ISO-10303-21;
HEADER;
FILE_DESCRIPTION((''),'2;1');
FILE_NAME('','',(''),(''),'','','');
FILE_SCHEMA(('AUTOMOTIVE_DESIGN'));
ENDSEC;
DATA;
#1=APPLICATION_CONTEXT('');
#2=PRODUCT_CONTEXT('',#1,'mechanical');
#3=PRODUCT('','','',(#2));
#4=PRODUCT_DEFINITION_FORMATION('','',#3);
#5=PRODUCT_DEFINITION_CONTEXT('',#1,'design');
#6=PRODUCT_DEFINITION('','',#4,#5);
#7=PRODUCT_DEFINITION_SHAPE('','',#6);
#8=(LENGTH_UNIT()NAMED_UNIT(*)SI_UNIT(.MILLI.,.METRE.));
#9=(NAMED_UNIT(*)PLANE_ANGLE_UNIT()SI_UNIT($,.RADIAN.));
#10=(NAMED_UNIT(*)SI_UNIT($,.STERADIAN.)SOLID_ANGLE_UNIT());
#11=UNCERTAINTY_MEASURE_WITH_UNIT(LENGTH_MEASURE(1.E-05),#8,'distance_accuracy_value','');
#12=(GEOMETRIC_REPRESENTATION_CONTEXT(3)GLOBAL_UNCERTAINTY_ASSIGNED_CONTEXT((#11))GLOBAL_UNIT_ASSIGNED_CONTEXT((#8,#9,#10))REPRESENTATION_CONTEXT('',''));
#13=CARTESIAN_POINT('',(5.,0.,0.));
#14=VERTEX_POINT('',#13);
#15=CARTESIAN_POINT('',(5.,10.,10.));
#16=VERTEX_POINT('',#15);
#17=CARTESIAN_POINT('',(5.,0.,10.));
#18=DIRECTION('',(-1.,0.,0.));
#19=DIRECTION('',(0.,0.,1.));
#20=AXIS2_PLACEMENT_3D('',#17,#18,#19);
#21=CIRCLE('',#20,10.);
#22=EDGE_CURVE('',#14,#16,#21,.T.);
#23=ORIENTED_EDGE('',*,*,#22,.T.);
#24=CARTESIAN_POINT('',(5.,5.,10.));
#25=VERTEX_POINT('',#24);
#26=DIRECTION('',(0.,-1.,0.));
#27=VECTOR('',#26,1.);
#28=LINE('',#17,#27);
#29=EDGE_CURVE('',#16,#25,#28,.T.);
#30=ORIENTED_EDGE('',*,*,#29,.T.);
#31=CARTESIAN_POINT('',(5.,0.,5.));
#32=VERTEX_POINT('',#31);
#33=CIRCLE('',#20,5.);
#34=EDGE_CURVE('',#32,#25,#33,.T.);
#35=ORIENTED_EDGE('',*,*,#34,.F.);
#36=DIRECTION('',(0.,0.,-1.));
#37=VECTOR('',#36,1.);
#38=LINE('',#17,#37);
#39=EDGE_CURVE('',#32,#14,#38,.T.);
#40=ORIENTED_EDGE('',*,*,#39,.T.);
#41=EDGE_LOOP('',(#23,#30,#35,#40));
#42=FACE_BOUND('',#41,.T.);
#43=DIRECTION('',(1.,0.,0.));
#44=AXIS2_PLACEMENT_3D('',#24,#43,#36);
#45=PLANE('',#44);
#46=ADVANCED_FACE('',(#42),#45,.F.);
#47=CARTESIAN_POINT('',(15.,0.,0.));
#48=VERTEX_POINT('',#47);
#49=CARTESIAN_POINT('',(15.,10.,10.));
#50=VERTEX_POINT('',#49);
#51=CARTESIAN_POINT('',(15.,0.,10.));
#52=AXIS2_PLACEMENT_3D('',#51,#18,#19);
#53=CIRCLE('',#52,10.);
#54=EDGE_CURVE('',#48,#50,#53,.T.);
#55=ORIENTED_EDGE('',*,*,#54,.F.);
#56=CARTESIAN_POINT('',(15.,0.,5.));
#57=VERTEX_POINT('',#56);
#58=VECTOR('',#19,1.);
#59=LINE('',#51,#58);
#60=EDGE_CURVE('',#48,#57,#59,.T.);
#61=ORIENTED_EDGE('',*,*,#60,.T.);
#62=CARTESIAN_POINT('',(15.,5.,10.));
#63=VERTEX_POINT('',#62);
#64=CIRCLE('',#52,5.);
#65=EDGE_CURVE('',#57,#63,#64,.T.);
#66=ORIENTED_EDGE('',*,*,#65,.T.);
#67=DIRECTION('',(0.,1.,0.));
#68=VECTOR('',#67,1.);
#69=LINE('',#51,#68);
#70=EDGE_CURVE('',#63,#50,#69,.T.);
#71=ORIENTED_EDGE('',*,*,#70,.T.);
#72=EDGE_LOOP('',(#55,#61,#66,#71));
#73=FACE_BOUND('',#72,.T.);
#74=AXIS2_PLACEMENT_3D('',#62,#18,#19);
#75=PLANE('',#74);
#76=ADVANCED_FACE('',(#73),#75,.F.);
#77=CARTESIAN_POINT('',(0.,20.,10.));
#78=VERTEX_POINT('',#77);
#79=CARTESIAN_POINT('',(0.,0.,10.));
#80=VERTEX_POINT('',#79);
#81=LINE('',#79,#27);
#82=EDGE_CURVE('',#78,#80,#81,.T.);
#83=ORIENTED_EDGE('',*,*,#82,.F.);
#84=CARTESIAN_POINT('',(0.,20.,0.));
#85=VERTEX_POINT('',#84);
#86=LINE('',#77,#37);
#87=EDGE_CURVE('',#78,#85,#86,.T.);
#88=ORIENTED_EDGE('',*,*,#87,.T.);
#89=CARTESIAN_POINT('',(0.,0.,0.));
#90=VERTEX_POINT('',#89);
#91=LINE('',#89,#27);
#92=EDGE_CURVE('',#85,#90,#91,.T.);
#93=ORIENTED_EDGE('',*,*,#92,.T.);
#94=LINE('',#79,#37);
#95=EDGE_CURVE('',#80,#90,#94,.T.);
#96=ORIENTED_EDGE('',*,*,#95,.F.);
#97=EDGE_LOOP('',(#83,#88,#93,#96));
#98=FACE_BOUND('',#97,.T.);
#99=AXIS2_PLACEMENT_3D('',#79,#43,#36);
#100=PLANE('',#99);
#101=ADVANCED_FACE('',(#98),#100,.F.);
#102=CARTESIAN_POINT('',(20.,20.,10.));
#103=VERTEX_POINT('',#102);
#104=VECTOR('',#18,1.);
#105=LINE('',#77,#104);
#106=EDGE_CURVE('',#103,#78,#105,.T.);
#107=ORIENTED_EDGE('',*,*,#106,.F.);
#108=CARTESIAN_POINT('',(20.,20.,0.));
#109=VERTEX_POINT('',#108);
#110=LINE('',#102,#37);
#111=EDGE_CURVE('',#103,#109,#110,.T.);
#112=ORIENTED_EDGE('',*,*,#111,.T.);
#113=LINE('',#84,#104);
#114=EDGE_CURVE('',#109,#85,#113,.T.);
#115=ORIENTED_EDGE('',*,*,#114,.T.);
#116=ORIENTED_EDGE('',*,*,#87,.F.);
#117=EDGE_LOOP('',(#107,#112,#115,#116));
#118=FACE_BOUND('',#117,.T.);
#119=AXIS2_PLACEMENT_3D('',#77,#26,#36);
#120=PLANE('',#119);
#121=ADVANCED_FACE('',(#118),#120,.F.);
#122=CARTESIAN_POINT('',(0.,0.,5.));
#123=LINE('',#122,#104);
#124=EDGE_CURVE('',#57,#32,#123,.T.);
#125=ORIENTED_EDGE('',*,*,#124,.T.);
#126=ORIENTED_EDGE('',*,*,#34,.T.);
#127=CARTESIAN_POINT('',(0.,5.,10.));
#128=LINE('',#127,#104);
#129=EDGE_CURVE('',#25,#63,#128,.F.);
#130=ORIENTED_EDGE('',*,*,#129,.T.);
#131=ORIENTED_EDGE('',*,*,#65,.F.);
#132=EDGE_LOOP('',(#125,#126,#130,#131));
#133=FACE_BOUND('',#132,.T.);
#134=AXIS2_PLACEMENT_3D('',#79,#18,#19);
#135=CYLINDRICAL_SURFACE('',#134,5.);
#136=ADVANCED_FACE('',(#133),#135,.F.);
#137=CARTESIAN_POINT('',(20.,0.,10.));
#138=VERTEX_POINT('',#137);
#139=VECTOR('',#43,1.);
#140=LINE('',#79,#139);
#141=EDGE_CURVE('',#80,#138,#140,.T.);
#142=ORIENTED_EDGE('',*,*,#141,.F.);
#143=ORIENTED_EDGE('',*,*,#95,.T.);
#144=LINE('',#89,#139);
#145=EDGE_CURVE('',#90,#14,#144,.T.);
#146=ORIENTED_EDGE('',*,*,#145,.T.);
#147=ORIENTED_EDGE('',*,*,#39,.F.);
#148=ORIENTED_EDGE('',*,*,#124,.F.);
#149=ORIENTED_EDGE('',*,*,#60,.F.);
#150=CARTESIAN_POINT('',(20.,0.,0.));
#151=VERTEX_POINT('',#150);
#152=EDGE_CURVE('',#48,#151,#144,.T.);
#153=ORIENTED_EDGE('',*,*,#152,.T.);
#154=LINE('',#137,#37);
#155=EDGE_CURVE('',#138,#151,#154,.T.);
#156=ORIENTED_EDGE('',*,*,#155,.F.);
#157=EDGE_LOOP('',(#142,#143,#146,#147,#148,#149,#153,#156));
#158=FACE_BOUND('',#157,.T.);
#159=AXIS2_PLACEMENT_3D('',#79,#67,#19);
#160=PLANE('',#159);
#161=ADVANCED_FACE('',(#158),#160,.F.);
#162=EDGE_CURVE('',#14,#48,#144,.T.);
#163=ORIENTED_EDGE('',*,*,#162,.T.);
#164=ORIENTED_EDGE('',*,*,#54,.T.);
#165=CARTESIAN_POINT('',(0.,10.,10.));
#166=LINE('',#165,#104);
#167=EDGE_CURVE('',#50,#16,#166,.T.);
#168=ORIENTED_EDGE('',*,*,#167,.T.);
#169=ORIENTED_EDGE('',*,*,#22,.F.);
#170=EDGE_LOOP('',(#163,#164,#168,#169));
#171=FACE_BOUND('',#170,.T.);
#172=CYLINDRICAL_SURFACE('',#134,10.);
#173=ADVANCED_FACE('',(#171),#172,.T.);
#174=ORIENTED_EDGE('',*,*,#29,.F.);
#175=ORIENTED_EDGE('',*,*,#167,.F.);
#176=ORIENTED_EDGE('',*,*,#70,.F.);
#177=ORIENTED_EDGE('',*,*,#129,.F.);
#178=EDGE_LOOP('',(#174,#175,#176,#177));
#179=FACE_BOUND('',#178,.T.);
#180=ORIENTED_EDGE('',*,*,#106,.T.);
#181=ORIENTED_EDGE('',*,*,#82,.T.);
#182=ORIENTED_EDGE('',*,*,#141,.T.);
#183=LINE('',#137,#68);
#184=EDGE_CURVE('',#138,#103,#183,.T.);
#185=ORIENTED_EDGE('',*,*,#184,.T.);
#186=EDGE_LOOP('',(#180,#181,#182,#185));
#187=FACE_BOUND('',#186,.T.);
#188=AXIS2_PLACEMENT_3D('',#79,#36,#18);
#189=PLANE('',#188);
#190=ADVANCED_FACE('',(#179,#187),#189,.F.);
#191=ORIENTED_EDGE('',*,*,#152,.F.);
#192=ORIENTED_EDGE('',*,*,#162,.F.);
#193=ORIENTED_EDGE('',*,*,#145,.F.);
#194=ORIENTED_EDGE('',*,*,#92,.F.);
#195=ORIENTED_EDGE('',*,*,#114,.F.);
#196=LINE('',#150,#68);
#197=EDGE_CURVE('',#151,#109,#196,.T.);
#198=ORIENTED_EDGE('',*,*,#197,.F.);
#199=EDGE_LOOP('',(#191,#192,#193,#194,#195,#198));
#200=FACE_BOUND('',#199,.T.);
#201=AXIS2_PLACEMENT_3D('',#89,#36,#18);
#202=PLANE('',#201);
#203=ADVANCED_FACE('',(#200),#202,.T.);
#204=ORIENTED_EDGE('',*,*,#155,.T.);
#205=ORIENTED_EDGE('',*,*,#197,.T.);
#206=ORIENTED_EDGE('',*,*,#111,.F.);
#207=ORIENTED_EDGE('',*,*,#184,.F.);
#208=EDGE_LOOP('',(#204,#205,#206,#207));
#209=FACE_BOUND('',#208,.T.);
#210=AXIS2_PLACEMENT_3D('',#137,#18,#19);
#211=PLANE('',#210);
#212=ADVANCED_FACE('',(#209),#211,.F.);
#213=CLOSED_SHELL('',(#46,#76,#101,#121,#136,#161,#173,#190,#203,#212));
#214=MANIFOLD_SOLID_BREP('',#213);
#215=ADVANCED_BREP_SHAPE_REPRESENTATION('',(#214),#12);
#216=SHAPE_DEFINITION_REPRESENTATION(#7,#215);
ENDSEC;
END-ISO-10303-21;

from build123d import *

# Parameters (mm, degrees)
SKETCH_1_W    = 20
SKETCH_1_H    = 20
BASEBOX_DEPTH = 10
SKETCH_2_W    = 10
SKETCH_2_H    = 5


with BuildPart() as part:
    # 草图1 → BaseBox (new body)
    with BuildSketch(Plane.XY):
        with Locations((10, 10)):
            Rectangle(SKETCH_1_W, SKETCH_1_H)
    extrude(amount=BASEBOX_DEPTH)

    # 草图2 → RevolveAxisEdge (revolve)
    with BuildSketch(Plane.XY.offset(10)):
        with Locations((10, 7.5)):
            Rectangle(SKETCH_2_W, SKETCH_2_H)
    revolve(axis=Axis((0, 0, 10), (1, 0, 0)))


solid = part.part
